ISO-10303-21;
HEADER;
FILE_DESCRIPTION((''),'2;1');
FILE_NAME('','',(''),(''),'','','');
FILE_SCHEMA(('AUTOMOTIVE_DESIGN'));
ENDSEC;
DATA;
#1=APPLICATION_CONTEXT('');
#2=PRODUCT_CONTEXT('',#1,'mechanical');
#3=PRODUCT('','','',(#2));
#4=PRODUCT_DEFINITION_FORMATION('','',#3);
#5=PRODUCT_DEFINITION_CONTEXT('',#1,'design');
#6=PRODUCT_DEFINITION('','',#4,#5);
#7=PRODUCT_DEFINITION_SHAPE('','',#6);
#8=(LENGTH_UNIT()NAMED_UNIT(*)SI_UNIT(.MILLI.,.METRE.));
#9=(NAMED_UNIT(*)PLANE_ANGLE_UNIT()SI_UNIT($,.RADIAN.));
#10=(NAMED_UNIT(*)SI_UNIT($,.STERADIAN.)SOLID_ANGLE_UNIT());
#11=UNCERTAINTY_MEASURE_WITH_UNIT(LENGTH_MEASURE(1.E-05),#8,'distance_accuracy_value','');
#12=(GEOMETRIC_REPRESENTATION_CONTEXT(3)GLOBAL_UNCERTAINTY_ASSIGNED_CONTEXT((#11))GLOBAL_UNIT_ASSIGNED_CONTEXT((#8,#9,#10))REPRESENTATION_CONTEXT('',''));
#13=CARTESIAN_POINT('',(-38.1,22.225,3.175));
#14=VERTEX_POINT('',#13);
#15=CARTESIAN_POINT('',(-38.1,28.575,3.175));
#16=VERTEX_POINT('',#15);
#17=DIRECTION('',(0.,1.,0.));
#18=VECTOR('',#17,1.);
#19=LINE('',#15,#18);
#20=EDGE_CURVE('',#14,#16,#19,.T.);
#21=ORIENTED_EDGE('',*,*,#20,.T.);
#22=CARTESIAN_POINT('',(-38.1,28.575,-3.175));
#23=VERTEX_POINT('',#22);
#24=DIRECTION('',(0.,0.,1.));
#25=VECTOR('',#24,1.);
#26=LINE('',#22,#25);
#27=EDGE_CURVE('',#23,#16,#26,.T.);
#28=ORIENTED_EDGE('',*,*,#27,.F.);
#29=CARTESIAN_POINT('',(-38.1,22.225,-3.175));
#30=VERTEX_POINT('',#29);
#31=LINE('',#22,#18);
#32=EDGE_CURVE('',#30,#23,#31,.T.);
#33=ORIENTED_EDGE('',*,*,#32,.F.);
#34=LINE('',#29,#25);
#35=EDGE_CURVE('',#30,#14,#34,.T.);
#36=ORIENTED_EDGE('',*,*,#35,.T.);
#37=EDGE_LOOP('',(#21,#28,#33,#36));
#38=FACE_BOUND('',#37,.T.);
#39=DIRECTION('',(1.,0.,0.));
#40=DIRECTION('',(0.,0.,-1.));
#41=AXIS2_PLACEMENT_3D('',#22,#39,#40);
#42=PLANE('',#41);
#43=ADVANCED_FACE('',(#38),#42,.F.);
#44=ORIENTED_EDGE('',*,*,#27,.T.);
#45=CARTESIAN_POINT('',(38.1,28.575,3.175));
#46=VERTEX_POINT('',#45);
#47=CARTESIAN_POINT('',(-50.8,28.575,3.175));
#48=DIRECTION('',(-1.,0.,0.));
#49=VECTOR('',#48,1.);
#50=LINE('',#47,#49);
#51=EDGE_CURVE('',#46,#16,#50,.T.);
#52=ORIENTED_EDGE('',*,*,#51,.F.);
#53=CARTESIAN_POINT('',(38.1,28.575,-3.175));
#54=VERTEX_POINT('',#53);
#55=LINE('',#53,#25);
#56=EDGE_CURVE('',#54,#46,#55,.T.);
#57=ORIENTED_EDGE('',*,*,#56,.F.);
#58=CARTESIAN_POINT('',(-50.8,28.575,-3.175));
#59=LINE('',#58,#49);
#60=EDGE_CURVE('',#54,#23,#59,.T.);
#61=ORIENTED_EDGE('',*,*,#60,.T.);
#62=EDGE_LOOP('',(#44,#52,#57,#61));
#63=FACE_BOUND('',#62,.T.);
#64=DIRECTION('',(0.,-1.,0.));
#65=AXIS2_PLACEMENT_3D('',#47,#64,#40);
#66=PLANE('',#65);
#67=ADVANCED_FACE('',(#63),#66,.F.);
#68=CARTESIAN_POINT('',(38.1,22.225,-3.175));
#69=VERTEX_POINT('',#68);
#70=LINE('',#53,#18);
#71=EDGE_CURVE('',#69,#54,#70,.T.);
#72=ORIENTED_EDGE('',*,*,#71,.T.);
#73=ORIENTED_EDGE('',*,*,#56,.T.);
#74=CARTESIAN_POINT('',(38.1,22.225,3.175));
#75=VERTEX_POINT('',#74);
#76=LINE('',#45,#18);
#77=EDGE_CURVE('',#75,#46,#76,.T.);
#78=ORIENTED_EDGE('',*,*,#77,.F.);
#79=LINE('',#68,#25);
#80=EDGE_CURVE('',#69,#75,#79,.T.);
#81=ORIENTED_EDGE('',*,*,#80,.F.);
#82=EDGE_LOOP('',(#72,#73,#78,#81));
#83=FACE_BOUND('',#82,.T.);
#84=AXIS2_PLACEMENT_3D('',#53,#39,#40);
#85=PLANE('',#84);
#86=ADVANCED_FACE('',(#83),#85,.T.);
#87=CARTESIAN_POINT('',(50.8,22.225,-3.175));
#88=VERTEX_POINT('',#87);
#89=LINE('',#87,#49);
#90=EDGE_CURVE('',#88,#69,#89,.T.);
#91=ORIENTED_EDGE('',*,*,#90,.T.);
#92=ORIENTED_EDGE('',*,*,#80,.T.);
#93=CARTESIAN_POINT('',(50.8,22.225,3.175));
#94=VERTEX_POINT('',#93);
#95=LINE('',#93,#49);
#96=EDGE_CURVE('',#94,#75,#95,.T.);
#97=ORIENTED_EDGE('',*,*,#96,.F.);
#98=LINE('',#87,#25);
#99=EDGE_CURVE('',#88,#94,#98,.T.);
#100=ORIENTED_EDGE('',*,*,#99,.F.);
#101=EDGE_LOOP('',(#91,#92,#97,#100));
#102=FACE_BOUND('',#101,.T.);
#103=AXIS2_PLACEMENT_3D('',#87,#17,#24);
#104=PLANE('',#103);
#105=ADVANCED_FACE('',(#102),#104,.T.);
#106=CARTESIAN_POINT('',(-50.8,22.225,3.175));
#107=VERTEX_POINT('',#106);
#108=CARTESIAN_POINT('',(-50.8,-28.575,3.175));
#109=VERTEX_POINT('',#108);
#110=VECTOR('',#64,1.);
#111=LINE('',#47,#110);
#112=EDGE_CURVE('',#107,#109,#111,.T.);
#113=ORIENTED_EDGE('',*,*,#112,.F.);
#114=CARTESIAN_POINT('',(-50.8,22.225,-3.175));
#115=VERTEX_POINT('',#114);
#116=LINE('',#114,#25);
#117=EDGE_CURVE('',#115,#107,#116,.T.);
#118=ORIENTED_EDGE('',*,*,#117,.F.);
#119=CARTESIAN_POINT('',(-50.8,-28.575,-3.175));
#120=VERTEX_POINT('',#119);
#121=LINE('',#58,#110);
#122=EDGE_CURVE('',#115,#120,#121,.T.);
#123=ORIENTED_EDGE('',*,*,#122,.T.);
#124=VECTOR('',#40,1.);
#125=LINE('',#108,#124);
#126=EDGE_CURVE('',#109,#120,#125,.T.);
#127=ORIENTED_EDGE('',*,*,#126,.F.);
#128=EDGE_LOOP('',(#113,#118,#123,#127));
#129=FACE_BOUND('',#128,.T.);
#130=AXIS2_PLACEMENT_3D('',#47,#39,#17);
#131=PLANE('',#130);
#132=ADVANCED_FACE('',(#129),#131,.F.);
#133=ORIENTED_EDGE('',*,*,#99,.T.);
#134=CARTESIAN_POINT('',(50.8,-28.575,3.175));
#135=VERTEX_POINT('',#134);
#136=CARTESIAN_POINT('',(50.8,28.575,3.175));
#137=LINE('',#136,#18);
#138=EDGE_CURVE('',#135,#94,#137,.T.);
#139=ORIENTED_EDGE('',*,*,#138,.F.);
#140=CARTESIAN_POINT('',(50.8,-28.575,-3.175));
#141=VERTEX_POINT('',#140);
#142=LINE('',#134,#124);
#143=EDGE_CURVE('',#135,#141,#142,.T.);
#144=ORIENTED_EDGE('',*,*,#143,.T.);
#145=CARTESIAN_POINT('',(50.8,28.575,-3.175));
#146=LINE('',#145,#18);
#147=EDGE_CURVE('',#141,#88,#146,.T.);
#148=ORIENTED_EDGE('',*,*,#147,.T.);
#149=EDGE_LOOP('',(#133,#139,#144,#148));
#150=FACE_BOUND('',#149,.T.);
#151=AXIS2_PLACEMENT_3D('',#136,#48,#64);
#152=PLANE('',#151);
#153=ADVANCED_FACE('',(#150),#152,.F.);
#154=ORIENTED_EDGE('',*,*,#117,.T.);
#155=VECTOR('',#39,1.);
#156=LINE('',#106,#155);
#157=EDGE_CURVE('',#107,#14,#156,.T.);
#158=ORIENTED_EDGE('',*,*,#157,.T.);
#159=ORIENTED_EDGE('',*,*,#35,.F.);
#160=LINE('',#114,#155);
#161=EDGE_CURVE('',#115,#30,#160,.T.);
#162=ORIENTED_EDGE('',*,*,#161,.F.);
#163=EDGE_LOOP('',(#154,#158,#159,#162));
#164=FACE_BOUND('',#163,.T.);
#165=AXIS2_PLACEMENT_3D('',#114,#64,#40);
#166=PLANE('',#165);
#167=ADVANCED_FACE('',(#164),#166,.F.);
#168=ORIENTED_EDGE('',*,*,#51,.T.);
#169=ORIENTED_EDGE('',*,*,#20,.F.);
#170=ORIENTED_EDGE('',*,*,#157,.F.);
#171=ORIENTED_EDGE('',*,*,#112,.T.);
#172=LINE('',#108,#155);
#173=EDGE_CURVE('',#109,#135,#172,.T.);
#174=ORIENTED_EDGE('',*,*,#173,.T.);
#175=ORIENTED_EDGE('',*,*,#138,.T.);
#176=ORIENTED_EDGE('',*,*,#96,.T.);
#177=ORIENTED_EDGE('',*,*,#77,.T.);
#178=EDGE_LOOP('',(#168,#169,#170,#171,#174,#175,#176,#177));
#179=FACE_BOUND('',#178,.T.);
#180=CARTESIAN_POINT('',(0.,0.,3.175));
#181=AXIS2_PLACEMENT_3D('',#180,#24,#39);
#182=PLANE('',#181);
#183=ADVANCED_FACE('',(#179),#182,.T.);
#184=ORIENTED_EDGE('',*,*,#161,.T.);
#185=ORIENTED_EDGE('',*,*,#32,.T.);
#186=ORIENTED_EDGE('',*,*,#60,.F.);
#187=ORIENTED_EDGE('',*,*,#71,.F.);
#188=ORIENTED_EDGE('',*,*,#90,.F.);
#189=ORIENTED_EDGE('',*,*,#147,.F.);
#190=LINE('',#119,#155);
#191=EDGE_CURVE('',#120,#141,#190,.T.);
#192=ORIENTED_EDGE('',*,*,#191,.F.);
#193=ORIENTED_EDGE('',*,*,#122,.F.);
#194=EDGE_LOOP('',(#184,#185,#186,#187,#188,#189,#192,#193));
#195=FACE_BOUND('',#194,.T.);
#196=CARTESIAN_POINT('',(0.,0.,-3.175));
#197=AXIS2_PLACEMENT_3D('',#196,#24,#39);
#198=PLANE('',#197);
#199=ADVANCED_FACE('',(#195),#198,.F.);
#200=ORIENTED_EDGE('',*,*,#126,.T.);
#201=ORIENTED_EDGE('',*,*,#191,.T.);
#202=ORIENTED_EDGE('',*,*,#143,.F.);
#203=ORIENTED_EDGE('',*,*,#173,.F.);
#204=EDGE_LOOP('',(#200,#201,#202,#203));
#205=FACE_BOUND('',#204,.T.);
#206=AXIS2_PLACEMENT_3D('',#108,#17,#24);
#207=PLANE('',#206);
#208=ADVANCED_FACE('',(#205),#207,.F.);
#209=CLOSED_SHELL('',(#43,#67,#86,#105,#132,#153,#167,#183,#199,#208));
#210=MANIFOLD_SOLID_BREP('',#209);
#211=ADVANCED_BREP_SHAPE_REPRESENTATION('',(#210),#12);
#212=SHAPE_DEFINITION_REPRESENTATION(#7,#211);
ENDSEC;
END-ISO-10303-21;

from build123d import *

# Parameters (mm, degrees)
SKETCH1_W           = 101.6
SKETCH1_H           = 57.15
BOSS_EXTRUDE1_DEPTH = 3.175
SKETCH2_W           = 12.7
SKETCH2_H           = 6.35
CUT_EXTRUDE1_DEPTH  = 59.630138368


with BuildPart() as part:
    # Sketch1 → Boss-Extrude1 (new, symmetric)
    with BuildSketch(Plane.XY):
        Rectangle(SKETCH1_W, SKETCH1_H)
    extrude(amount=BOSS_EXTRUDE1_DEPTH, both=True)

    # Sketch2 → Cut-Extrude1 (cut, through all)
    with BuildSketch(Plane.XY.offset(3.175)):
        with Locations((-44.45, 25.4)):
            Rectangle(SKETCH2_W, SKETCH2_H)
    cut_extrude1 = extrude(amount=-CUT_EXTRUDE1_DEPTH, mode=Mode.SUBTRACT)

    # Mirror1: Cut-Extrude1 across plane
    add(cut_extrude1.mirror(Plane(origin=(0, 0, 0), x_dir=(0, 0, 1), z_dir=(1, 0, 0))), mode=Mode.SUBTRACT)


solid = part.part
